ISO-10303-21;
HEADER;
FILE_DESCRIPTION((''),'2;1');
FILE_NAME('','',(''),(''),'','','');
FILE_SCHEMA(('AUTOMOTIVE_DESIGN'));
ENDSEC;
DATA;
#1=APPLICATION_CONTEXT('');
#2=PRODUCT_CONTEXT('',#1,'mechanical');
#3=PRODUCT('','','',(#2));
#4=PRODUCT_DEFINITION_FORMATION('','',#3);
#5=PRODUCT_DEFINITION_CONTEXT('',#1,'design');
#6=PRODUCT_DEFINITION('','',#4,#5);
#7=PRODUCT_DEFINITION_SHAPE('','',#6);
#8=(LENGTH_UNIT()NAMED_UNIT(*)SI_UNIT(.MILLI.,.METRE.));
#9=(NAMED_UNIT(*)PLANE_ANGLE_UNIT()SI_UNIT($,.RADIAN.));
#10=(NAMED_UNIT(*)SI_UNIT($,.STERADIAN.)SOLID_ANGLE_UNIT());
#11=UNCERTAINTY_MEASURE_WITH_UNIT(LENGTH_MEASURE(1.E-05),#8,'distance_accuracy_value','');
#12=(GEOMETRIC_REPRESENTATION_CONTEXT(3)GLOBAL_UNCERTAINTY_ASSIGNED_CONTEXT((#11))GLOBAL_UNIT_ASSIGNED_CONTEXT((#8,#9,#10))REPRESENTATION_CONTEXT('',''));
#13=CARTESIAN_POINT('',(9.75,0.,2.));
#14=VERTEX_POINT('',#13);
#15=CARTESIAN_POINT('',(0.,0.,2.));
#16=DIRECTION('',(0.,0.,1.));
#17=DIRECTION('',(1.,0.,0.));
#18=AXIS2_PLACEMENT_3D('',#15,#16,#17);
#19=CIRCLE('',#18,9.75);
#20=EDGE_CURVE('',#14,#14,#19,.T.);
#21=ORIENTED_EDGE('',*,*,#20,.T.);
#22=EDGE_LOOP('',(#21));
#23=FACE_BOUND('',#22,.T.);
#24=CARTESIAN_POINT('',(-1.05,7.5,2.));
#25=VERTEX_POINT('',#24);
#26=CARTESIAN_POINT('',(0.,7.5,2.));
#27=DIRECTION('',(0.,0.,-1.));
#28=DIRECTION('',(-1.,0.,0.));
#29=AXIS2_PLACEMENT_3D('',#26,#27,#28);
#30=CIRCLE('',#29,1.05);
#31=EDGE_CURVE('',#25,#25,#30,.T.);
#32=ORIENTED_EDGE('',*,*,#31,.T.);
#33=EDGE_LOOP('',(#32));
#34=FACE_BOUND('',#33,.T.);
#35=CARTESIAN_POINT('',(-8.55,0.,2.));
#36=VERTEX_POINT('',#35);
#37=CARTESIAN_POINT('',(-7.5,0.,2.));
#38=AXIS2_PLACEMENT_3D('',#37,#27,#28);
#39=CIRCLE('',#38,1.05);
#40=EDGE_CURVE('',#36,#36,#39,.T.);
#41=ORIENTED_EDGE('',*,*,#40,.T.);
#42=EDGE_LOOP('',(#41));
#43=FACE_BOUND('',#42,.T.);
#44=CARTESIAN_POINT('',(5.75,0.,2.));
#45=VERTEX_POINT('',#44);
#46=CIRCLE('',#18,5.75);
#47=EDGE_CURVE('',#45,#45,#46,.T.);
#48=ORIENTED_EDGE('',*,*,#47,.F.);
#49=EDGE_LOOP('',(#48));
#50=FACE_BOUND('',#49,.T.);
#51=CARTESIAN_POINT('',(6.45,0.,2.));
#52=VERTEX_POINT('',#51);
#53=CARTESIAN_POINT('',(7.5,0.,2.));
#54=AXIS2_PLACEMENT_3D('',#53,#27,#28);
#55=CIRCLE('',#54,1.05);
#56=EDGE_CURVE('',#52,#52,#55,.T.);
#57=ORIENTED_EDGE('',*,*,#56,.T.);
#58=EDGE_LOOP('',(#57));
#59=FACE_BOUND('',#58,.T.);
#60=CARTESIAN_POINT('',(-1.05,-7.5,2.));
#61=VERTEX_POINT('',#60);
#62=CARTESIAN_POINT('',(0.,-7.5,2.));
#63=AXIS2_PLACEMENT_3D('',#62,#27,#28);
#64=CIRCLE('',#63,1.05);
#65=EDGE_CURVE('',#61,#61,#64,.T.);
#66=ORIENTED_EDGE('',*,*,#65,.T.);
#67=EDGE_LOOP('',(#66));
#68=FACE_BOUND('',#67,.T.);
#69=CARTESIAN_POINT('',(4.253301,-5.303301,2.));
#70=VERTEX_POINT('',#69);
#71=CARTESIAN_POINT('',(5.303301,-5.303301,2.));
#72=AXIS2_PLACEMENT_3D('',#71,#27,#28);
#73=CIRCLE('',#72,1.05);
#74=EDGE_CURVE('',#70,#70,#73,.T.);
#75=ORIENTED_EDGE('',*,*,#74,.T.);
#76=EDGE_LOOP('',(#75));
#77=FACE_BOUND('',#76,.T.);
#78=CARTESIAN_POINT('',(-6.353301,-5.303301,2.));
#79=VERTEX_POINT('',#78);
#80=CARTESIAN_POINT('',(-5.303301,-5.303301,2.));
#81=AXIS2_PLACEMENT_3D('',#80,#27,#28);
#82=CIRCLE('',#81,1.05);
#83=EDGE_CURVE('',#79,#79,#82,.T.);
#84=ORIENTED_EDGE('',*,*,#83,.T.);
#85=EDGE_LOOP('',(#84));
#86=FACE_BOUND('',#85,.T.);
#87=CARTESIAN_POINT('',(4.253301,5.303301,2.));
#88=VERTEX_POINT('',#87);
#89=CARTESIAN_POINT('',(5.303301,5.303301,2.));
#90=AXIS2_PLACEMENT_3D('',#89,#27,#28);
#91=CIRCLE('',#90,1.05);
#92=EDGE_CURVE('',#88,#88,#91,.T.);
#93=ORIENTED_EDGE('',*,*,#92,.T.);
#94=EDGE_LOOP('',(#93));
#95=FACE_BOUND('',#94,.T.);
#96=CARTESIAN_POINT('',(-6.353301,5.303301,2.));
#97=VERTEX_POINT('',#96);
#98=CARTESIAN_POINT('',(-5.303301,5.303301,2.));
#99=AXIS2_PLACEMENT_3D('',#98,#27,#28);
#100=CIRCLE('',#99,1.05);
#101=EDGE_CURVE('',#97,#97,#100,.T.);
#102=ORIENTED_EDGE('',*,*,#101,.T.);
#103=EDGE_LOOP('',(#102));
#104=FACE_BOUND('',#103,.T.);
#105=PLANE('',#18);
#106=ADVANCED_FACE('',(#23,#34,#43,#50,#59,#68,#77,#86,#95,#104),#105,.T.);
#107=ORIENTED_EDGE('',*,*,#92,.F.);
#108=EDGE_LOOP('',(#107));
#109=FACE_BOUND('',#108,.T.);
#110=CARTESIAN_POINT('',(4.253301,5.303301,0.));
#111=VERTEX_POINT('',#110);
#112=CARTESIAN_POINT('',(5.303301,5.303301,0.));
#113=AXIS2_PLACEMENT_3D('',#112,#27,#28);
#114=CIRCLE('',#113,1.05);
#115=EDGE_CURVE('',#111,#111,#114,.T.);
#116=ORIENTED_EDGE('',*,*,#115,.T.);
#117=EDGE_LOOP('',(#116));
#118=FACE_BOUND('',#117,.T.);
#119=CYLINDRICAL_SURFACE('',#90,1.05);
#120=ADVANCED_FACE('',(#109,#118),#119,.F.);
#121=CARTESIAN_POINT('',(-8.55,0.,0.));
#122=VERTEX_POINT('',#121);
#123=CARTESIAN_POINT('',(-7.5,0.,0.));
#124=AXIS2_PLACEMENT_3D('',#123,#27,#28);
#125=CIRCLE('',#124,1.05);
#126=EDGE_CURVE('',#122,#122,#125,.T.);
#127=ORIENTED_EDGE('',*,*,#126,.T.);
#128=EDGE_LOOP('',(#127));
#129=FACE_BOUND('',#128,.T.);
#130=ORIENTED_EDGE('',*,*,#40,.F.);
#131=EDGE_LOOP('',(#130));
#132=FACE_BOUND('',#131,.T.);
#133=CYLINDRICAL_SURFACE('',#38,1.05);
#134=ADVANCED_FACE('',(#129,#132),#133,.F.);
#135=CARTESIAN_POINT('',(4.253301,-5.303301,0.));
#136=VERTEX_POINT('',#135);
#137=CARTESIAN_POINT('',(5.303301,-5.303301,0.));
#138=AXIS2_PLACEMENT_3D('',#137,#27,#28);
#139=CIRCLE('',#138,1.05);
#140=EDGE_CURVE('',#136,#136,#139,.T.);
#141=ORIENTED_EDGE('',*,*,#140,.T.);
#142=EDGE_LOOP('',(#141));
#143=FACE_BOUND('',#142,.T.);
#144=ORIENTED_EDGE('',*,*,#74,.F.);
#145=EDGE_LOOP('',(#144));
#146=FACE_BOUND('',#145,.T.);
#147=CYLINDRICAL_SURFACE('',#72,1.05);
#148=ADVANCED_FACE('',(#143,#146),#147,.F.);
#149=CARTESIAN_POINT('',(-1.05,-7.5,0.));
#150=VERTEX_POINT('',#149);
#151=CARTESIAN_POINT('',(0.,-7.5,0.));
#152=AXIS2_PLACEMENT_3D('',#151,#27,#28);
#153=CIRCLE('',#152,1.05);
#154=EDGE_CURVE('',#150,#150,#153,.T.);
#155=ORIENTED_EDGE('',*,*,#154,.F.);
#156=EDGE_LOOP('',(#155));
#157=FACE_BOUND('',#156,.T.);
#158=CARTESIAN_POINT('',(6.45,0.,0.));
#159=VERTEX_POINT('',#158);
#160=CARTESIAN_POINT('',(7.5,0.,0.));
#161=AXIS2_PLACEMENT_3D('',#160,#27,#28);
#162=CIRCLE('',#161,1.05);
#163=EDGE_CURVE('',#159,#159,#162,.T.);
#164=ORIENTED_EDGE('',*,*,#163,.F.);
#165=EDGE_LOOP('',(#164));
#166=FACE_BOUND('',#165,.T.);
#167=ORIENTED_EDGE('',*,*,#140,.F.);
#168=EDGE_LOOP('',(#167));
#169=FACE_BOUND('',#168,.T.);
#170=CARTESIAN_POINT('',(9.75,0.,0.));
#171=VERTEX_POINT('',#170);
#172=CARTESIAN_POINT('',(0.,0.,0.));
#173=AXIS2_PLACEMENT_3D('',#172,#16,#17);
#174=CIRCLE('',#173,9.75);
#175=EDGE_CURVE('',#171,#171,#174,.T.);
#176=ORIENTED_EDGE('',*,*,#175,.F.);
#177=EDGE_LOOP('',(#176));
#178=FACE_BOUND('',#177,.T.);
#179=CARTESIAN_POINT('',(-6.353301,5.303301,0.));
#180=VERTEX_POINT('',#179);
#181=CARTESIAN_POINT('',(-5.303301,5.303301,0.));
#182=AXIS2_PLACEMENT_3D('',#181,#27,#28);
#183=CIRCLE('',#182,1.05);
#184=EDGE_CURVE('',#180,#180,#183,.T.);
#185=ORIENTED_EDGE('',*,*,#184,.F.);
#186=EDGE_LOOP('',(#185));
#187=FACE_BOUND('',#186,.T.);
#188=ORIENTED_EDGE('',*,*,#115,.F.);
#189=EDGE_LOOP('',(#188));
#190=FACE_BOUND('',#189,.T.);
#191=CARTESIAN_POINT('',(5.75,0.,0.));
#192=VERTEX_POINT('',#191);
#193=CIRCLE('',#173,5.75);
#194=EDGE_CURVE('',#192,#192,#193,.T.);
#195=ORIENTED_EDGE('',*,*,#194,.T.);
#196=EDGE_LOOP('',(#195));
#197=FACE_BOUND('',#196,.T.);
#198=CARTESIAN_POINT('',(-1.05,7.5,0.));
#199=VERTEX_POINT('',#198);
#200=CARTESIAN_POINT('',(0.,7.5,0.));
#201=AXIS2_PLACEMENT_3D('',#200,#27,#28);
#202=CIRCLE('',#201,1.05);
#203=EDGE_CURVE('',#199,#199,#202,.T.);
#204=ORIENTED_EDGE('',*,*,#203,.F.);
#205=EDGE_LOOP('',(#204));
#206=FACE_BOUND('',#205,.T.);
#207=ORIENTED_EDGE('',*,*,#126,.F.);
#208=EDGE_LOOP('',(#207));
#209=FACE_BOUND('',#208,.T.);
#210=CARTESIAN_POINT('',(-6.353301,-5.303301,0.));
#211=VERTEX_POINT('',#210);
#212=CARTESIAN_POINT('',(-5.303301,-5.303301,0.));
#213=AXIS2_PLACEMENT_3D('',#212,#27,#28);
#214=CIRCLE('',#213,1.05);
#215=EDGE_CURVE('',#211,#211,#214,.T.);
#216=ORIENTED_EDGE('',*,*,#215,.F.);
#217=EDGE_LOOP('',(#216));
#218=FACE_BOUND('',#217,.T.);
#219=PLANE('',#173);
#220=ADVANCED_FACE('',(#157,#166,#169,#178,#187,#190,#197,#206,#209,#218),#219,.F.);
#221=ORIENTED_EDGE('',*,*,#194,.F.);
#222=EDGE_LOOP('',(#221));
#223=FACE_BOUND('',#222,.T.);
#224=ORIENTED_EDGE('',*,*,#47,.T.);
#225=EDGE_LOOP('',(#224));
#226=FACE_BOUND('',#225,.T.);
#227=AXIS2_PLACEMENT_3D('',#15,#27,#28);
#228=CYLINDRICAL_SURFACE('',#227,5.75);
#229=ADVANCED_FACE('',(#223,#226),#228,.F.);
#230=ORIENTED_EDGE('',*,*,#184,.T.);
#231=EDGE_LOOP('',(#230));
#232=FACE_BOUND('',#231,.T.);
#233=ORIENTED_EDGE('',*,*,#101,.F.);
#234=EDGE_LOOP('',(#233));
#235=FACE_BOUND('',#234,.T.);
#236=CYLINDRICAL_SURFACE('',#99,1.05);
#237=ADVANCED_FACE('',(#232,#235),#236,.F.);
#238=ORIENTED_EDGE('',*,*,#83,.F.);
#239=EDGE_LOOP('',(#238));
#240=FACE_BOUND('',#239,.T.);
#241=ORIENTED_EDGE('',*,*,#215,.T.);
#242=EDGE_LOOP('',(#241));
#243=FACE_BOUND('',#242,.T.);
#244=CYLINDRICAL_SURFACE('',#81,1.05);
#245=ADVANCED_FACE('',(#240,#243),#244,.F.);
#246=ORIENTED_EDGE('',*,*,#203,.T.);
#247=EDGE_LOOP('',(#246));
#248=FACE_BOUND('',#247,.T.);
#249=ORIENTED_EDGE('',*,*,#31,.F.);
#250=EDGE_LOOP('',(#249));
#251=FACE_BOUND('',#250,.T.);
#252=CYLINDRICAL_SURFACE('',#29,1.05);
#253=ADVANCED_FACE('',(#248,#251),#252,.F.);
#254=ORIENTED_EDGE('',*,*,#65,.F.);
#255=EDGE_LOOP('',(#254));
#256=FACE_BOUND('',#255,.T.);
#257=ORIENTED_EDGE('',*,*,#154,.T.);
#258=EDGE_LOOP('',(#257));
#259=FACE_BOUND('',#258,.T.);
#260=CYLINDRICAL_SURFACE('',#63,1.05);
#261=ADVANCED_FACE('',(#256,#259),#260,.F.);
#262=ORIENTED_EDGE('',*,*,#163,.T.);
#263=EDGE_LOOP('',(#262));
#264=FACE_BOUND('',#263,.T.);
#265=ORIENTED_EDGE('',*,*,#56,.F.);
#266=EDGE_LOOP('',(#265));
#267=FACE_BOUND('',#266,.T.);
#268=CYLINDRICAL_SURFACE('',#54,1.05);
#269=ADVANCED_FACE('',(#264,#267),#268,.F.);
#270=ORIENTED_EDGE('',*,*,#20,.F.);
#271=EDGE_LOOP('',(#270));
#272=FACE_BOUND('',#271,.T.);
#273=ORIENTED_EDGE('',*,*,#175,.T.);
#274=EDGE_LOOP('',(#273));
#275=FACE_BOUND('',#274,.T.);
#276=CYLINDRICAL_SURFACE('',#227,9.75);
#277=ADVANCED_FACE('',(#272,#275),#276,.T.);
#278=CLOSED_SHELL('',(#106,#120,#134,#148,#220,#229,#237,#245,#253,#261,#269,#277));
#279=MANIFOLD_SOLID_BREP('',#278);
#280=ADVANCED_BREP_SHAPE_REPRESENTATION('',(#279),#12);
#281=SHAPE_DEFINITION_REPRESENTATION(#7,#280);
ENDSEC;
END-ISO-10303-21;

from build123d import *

# Parameters (mm, degrees)
SKETCH2_R           = 9.75
SKETCH2_R_2         = 5.75
BOSS_EXTRUDE1_DEPTH = 2
SKETCH4_R           = 1.05
CUT_EXTRUDE1_DEPTH  = 3


with BuildPart() as part:
    # Sketch2 → Boss-Extrude1 (new body)
    with BuildSketch(Plane.XY):
        Circle(SKETCH2_R)
        Circle(SKETCH2_R_2, mode=Mode.SUBTRACT)
    extrude(amount=BOSS_EXTRUDE1_DEPTH)

    # Sketch4 → Cut-Extrude1 (cut, through all)
    with BuildSketch(Plane(origin=(0, 0, 0), x_dir=(-1, 0, 0), z_dir=(0, 0, -1))):
        with Locations((0, 7.5)):
            Circle(SKETCH4_R)
        with Locations((5.303300859, 5.303300859)):
            Circle(SKETCH4_R)
        with Locations((7.5, 0)):
            Circle(SKETCH4_R)
        with Locations((5.303300859, -5.303300859)):
            Circle(SKETCH4_R)
        with Locations((0, -7.5)):
            Circle(SKETCH4_R)
        with Locations((-5.303300859, -5.303300859)):
            Circle(SKETCH4_R)
        with Locations((-7.5, 0)):
            Circle(SKETCH4_R)
        with Locations((-5.303300859, 5.303300859)):
            Circle(SKETCH4_R)
    extrude(amount=-CUT_EXTRUDE1_DEPTH, mode=Mode.SUBTRACT)


solid = part.part
